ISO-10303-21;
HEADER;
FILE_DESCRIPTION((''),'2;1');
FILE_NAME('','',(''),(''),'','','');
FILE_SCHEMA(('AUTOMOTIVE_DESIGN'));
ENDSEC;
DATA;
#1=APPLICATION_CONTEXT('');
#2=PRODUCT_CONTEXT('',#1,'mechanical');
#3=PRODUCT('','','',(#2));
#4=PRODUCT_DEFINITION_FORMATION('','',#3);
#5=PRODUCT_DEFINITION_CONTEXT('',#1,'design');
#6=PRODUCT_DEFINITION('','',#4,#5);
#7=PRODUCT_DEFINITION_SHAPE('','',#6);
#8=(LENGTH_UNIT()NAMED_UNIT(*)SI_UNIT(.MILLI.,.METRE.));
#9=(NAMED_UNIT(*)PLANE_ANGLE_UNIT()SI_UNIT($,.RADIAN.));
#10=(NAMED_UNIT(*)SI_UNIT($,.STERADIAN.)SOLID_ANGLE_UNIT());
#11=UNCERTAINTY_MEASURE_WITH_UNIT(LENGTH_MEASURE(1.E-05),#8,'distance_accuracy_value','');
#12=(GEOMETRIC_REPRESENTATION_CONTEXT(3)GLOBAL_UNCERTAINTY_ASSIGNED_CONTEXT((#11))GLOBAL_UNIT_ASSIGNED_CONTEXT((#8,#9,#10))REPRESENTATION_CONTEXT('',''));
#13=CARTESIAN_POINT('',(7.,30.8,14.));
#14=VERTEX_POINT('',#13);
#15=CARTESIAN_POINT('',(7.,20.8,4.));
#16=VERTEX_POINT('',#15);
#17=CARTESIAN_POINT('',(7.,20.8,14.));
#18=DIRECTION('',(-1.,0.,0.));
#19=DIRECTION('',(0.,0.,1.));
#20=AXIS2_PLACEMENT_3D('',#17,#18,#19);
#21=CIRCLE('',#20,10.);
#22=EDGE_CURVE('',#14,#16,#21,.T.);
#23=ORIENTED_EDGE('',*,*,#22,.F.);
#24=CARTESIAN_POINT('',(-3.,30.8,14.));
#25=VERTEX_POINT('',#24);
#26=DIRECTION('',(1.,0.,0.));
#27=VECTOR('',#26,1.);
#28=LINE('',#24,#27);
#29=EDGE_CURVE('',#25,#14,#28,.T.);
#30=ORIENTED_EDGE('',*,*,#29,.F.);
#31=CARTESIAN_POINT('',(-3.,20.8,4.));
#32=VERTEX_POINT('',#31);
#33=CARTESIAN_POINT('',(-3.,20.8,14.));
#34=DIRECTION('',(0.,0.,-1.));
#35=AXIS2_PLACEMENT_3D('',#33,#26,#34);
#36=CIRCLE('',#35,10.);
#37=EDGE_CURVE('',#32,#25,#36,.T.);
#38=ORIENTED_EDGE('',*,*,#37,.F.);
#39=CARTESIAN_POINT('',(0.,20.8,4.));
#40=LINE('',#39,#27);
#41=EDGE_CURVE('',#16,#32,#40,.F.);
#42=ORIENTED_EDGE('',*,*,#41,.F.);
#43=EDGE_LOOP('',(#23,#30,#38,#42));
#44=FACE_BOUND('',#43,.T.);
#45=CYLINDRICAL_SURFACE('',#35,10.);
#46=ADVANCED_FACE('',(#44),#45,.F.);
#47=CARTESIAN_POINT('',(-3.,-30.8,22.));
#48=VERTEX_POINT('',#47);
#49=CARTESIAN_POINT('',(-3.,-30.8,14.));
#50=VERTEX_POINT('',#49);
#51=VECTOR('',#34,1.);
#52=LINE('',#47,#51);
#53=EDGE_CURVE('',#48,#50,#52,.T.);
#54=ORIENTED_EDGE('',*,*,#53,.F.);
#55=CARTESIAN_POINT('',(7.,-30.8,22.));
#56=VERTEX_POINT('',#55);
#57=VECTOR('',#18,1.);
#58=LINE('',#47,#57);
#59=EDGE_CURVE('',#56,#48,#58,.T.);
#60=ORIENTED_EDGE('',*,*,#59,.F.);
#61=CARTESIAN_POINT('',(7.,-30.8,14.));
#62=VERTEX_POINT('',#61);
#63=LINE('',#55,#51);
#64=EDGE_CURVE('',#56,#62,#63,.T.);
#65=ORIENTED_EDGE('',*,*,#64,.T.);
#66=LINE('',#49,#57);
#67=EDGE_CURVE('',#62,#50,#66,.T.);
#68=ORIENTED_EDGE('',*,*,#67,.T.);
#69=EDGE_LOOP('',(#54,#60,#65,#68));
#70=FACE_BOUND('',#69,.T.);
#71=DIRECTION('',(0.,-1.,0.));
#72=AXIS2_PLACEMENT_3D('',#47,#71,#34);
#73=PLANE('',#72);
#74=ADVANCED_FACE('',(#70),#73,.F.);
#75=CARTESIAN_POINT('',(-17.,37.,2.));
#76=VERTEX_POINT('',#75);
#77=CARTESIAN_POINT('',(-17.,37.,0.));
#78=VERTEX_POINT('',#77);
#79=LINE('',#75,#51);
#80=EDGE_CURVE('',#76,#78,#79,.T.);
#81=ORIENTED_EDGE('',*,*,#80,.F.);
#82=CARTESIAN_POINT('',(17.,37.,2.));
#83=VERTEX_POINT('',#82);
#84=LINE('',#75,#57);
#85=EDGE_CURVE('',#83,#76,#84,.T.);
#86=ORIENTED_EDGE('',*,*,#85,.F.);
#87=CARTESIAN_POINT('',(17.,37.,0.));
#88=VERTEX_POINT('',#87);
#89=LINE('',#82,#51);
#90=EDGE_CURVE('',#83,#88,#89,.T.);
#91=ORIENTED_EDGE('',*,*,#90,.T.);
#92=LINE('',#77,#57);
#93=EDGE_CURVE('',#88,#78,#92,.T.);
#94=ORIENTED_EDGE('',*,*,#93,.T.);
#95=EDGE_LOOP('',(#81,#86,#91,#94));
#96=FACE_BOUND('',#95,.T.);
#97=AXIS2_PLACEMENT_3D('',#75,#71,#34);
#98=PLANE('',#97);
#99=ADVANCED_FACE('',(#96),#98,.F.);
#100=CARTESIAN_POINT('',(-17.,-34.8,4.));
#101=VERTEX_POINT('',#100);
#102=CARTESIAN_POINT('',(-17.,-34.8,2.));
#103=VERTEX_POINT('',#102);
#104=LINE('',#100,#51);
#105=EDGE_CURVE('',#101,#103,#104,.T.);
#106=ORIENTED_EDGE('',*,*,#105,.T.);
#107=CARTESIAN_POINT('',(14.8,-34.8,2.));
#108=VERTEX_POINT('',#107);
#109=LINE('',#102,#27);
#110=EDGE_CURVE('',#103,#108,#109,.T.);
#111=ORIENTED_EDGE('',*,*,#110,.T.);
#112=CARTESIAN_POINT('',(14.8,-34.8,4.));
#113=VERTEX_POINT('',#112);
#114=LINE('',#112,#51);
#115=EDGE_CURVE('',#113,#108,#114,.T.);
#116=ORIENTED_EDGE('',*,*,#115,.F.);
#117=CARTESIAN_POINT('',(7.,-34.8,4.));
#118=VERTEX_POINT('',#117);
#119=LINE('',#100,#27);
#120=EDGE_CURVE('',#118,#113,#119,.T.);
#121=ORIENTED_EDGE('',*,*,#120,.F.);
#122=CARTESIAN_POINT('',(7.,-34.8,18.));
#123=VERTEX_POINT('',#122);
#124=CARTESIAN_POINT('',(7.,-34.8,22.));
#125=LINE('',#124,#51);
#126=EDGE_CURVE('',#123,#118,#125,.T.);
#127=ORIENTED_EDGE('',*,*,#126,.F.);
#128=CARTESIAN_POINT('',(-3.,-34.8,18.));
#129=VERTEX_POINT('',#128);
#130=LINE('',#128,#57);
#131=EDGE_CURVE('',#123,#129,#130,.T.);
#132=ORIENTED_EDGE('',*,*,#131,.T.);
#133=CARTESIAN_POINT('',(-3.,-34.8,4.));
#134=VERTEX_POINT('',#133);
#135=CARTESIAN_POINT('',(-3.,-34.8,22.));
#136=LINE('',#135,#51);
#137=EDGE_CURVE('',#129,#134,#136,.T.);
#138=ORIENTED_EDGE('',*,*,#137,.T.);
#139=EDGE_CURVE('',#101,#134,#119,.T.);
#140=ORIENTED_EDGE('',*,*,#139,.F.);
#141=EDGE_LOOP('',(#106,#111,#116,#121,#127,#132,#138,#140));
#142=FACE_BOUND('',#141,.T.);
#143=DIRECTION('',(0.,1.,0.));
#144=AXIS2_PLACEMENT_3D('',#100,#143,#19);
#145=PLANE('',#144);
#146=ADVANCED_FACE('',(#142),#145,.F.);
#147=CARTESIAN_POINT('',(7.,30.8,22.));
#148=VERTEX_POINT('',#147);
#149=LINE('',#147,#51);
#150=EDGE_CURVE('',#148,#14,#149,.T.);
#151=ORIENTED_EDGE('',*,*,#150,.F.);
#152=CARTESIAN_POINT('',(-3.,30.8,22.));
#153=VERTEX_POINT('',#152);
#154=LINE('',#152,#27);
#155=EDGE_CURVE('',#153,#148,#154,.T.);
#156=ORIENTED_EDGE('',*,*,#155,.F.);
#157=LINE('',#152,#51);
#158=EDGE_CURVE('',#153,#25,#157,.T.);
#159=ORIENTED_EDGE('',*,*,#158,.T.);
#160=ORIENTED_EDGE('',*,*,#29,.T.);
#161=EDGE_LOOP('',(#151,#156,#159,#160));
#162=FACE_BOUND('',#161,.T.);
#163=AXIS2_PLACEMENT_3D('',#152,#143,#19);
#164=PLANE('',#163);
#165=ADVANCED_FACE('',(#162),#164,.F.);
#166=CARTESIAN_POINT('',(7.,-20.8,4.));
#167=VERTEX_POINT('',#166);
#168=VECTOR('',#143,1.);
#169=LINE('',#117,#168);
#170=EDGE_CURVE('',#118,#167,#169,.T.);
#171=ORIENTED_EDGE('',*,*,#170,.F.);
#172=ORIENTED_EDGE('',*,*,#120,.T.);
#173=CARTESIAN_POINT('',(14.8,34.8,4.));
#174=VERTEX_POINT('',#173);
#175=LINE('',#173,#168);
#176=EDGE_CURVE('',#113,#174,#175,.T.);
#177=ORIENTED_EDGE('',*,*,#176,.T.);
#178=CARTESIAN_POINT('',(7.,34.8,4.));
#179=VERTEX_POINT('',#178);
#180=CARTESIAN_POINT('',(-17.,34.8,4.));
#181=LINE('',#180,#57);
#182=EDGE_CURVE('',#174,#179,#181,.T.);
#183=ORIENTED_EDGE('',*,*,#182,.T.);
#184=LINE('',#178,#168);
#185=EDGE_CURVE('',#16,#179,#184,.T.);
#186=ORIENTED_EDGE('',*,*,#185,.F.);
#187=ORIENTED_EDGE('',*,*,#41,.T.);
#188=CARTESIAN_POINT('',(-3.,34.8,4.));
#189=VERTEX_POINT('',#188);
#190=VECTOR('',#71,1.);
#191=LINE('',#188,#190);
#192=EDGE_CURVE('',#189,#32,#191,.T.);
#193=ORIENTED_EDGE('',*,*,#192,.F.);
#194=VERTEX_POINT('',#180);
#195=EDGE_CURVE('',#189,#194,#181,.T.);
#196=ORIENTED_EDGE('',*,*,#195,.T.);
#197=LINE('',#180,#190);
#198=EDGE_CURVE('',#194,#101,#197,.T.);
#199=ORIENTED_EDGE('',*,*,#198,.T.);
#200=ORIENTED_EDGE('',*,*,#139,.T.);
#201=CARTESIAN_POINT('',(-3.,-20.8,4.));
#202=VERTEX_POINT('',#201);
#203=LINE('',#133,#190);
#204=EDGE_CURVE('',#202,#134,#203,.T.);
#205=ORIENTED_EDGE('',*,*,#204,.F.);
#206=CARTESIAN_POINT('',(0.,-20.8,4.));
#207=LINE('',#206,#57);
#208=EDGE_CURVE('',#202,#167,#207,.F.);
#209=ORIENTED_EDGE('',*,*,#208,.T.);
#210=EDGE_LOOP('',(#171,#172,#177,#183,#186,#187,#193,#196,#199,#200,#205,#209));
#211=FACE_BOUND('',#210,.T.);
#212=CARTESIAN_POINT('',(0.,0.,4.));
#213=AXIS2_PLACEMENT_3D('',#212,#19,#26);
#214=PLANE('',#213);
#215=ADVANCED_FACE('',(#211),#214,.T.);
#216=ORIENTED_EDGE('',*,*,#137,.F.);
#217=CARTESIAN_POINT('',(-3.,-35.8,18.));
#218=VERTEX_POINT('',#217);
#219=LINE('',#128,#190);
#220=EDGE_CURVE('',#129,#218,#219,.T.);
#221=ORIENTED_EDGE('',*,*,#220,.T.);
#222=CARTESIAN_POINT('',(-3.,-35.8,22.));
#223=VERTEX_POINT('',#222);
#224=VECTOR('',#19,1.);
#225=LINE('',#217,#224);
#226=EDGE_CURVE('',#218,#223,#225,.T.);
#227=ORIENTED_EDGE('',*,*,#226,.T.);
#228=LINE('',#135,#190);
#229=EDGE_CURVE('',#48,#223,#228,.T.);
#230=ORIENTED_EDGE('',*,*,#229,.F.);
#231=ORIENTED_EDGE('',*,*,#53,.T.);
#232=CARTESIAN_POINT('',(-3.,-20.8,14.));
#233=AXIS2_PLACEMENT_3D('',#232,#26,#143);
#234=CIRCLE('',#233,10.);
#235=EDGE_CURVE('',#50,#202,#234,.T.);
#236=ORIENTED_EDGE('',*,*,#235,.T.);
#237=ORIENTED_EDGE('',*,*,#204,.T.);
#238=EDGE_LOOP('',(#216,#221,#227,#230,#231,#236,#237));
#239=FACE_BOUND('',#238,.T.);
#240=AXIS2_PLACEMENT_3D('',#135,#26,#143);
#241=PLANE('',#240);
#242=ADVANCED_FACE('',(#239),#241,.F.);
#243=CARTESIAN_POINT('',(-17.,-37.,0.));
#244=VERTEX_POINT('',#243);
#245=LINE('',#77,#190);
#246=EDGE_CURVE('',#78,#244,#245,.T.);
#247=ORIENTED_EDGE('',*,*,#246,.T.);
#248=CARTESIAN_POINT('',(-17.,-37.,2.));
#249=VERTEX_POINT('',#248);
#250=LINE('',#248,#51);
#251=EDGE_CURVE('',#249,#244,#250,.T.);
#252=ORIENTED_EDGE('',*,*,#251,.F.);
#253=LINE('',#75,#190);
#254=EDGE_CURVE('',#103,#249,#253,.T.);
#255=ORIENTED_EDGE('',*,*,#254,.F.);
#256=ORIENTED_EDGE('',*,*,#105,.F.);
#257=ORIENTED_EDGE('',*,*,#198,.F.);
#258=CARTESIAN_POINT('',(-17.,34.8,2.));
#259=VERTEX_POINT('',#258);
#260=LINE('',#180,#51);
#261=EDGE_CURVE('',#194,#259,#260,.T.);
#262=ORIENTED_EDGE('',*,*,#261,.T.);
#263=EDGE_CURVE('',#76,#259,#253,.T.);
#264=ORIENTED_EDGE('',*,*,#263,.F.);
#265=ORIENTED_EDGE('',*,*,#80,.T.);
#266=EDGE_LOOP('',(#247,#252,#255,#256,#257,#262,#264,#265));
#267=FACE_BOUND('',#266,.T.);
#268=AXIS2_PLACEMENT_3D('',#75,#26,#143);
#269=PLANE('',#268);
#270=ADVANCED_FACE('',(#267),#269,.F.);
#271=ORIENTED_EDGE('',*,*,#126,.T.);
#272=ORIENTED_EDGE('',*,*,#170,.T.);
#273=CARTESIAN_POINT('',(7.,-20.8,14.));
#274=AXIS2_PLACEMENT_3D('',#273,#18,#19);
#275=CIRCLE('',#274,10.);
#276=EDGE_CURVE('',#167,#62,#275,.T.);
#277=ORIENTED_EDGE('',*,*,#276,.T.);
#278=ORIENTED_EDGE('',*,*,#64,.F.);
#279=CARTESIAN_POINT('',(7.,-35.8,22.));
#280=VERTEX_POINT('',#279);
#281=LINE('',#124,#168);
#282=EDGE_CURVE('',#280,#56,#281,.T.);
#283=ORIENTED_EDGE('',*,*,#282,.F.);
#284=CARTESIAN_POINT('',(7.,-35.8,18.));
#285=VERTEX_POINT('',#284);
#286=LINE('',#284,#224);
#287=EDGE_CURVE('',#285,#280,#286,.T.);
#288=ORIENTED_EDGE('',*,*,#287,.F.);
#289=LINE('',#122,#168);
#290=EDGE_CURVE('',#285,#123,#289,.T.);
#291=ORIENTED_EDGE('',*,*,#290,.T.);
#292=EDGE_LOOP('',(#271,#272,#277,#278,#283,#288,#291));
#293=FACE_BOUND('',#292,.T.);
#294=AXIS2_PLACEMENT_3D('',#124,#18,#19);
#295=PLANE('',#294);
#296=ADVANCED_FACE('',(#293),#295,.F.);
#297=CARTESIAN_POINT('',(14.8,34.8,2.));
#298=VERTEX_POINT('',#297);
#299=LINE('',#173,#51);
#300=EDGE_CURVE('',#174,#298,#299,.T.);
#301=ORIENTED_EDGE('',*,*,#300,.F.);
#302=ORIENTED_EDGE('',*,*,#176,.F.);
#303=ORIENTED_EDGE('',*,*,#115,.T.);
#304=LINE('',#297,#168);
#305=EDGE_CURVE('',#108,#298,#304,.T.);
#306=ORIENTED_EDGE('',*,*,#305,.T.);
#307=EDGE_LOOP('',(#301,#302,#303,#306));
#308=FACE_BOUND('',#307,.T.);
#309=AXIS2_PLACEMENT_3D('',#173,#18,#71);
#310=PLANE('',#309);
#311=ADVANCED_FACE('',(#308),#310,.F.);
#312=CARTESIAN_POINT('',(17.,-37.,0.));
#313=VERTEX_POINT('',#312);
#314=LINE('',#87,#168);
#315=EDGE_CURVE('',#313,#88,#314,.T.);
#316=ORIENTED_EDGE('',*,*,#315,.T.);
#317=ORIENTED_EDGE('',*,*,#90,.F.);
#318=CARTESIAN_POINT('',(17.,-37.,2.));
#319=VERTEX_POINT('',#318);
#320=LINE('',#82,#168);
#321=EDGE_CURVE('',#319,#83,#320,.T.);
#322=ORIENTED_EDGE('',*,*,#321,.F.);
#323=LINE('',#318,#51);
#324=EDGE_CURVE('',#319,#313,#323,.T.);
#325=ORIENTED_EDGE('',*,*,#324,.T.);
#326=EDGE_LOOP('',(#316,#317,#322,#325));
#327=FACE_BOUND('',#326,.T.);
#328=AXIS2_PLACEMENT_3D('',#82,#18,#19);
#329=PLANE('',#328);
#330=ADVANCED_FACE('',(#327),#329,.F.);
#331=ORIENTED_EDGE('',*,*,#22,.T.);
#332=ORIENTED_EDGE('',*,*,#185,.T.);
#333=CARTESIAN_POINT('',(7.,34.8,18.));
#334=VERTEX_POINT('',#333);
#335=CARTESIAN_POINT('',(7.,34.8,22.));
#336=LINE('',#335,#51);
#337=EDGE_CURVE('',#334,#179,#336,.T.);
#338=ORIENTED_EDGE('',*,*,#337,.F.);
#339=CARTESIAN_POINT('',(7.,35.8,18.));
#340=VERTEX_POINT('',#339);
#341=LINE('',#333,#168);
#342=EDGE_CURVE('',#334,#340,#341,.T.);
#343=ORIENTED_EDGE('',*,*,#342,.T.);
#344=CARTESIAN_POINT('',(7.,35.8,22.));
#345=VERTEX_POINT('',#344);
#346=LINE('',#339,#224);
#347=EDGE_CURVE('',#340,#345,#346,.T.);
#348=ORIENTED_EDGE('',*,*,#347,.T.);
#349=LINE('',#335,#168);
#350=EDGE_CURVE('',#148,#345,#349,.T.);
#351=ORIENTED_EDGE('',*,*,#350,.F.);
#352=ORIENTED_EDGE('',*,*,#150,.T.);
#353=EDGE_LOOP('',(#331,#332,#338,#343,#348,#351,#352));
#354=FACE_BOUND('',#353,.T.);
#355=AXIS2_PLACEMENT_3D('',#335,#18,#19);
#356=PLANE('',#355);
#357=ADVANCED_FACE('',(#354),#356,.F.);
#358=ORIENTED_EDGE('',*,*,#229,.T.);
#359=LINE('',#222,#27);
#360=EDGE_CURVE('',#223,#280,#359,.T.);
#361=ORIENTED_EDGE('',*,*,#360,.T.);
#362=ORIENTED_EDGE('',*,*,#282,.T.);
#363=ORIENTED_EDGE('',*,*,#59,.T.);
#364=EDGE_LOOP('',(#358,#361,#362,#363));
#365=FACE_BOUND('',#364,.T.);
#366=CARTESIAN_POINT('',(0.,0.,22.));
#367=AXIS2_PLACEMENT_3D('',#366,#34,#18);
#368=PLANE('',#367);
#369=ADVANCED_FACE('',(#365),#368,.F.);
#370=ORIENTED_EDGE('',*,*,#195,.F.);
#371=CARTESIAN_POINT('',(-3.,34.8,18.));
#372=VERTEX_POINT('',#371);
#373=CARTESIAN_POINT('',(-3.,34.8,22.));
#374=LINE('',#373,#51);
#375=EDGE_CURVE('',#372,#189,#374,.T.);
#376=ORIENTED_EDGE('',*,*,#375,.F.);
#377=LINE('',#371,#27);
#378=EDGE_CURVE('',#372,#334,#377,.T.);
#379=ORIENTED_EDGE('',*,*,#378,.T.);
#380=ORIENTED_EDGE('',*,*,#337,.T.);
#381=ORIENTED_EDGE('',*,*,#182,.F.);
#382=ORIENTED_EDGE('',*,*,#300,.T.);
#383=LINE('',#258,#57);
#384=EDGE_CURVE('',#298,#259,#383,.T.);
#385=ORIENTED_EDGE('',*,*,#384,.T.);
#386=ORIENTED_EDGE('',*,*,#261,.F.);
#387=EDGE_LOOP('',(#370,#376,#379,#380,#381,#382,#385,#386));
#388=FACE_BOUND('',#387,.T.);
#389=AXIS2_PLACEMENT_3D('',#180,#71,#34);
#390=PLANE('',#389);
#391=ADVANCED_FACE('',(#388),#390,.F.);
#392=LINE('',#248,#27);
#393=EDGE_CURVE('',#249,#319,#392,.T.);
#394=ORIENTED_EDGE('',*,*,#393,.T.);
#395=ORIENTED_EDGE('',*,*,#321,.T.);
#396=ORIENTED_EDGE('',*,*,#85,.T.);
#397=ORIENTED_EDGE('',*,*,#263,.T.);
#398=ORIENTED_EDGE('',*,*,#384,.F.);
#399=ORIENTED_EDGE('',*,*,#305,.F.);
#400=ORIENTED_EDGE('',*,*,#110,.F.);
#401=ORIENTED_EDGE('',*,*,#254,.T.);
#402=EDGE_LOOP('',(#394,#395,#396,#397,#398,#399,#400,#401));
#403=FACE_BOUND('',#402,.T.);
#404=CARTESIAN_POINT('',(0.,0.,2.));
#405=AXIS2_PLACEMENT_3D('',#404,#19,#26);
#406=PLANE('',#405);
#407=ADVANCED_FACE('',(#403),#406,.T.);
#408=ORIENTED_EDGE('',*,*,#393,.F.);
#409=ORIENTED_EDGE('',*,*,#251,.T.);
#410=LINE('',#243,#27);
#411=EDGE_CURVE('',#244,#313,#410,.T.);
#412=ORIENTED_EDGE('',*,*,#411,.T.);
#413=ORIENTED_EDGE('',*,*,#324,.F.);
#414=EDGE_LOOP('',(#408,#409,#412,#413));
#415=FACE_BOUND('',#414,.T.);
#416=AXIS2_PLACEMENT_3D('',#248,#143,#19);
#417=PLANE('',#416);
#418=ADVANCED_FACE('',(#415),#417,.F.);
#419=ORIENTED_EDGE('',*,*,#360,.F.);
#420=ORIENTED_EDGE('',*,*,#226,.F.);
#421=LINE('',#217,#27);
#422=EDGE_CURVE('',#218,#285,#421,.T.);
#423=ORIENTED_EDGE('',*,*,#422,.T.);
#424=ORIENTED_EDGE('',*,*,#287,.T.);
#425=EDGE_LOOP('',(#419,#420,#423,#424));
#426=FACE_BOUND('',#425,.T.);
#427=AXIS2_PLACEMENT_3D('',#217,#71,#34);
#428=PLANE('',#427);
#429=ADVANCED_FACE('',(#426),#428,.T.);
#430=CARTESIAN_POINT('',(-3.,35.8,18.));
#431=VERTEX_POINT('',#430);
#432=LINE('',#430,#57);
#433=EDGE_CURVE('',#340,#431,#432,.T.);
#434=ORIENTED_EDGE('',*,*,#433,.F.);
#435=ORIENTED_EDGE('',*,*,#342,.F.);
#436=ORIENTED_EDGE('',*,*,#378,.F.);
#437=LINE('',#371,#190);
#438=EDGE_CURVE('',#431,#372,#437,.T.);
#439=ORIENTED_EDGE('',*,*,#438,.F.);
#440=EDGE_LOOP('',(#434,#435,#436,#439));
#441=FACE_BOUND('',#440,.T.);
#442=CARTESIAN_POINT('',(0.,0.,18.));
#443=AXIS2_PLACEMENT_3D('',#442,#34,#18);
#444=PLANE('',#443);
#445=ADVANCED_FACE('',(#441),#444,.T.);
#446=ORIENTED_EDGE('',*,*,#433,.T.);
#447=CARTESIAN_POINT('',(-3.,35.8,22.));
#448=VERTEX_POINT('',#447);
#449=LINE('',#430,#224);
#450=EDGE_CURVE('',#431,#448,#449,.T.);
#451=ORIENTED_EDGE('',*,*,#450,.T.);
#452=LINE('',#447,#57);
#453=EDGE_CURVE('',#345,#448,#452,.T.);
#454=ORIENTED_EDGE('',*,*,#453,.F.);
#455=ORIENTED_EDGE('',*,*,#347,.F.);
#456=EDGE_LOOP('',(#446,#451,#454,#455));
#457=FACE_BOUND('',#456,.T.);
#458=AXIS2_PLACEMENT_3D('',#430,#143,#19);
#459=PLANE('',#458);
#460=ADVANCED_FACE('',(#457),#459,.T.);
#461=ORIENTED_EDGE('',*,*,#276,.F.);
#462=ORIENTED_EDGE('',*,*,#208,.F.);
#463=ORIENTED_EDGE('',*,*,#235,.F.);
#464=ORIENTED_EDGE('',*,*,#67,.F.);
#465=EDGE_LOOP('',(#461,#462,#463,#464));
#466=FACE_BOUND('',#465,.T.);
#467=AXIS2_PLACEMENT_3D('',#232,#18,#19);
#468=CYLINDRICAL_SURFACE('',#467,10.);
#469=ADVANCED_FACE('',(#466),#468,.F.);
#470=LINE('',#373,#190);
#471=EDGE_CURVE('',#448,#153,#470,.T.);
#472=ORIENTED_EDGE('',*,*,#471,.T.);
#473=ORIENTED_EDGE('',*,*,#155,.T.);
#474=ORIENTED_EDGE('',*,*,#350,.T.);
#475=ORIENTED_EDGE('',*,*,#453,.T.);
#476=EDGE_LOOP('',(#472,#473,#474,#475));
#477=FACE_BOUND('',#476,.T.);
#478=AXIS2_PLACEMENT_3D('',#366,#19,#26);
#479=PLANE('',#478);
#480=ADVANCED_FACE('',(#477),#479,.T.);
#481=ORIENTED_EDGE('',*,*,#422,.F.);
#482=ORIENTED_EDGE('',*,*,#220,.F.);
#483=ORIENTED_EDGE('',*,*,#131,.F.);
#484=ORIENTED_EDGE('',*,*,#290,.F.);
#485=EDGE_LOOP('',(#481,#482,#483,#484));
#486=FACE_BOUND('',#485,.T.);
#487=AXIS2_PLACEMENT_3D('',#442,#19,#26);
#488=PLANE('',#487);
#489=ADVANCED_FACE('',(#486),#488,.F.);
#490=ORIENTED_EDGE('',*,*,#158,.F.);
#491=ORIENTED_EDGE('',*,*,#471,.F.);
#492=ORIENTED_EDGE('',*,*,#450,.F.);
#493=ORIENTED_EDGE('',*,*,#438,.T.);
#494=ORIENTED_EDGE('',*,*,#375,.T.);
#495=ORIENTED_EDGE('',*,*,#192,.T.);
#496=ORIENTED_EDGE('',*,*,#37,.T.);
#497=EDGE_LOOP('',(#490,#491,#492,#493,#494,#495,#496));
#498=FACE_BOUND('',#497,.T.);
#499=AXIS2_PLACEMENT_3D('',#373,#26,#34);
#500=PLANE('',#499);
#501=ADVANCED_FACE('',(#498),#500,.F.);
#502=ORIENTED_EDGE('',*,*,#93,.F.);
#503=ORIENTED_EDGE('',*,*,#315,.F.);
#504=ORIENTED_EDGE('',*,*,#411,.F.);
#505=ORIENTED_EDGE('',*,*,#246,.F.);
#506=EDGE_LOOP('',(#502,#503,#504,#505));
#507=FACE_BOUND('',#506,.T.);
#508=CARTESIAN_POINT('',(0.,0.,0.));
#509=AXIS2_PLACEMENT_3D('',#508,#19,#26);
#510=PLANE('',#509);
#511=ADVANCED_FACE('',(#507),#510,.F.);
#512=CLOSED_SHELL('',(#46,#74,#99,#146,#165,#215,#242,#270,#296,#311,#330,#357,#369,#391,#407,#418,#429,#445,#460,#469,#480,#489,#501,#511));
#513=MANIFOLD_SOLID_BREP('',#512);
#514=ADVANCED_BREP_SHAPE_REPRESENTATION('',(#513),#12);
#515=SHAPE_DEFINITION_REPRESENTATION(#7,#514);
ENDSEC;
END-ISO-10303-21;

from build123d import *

# Parameters (mm, degrees)
ESQUISSE1_W        = 34
ESQUISSE1_H        = 74
BOSS_EXTRU_1_DEPTH = 2
ESQUISSE2_W        = 31.8
ESQUISSE2_H        = 69.6
BOSS_EXTRU_2_DEPTH = 2
ESQUISSE7_W        = 10
ESQUISSE7_H        = 4
BOSS_EXTRU_5_DEPTH = 18
ESQUISSE8_W        = 10
ESQUISSE8_H        = 1
BOSS_EXTRU_6_DEPTH = 4
CONG_2_R           = 10


with BuildPart() as part:
    # Esquisse1 → Boss.-Extru.1 (new body)
    with BuildSketch(Plane.XY):
        Rectangle(ESQUISSE1_W, ESQUISSE1_H)
    extrude(amount=BOSS_EXTRU_1_DEPTH)

    # Esquisse2 → Boss.-Extru.2 (add)
    with BuildSketch(Plane.XY.offset(2)):
        with Locations((-1.1, 0)):
            Rectangle(ESQUISSE2_W, ESQUISSE2_H)
    extrude(amount=BOSS_EXTRU_2_DEPTH)

    # Esquisse7 → Boss.-Extru.5 (add)
    with BuildSketch(Plane.XY.offset(4)):
        with Locations((2, 32.8)):
            Rectangle(ESQUISSE7_W, ESQUISSE7_H)
        with Locations((2, -32.8)):
            Rectangle(ESQUISSE7_W, ESQUISSE7_H)
    extrude(amount=BOSS_EXTRU_5_DEPTH)

    # Esquisse8 → Boss.-Extru.6 (add)
    with BuildSketch(Plane.XY.offset(22)):
        with Locations((2, 35.3)):
            Rectangle(ESQUISSE8_W, ESQUISSE8_H)
        with Locations((2, -35.3)):
            Rectangle(ESQUISSE8_W, ESQUISSE8_H)
    extrude(amount=-BOSS_EXTRU_6_DEPTH)

    # Congé2
    cong_2_edges = [part.edges().sort_by_distance(p)[0] for p in [
        (2, 30.8, 4),
        (2, -30.8, 4),
    ]]
    fillet(cong_2_edges, radius=CONG_2_R)


solid = part.part
